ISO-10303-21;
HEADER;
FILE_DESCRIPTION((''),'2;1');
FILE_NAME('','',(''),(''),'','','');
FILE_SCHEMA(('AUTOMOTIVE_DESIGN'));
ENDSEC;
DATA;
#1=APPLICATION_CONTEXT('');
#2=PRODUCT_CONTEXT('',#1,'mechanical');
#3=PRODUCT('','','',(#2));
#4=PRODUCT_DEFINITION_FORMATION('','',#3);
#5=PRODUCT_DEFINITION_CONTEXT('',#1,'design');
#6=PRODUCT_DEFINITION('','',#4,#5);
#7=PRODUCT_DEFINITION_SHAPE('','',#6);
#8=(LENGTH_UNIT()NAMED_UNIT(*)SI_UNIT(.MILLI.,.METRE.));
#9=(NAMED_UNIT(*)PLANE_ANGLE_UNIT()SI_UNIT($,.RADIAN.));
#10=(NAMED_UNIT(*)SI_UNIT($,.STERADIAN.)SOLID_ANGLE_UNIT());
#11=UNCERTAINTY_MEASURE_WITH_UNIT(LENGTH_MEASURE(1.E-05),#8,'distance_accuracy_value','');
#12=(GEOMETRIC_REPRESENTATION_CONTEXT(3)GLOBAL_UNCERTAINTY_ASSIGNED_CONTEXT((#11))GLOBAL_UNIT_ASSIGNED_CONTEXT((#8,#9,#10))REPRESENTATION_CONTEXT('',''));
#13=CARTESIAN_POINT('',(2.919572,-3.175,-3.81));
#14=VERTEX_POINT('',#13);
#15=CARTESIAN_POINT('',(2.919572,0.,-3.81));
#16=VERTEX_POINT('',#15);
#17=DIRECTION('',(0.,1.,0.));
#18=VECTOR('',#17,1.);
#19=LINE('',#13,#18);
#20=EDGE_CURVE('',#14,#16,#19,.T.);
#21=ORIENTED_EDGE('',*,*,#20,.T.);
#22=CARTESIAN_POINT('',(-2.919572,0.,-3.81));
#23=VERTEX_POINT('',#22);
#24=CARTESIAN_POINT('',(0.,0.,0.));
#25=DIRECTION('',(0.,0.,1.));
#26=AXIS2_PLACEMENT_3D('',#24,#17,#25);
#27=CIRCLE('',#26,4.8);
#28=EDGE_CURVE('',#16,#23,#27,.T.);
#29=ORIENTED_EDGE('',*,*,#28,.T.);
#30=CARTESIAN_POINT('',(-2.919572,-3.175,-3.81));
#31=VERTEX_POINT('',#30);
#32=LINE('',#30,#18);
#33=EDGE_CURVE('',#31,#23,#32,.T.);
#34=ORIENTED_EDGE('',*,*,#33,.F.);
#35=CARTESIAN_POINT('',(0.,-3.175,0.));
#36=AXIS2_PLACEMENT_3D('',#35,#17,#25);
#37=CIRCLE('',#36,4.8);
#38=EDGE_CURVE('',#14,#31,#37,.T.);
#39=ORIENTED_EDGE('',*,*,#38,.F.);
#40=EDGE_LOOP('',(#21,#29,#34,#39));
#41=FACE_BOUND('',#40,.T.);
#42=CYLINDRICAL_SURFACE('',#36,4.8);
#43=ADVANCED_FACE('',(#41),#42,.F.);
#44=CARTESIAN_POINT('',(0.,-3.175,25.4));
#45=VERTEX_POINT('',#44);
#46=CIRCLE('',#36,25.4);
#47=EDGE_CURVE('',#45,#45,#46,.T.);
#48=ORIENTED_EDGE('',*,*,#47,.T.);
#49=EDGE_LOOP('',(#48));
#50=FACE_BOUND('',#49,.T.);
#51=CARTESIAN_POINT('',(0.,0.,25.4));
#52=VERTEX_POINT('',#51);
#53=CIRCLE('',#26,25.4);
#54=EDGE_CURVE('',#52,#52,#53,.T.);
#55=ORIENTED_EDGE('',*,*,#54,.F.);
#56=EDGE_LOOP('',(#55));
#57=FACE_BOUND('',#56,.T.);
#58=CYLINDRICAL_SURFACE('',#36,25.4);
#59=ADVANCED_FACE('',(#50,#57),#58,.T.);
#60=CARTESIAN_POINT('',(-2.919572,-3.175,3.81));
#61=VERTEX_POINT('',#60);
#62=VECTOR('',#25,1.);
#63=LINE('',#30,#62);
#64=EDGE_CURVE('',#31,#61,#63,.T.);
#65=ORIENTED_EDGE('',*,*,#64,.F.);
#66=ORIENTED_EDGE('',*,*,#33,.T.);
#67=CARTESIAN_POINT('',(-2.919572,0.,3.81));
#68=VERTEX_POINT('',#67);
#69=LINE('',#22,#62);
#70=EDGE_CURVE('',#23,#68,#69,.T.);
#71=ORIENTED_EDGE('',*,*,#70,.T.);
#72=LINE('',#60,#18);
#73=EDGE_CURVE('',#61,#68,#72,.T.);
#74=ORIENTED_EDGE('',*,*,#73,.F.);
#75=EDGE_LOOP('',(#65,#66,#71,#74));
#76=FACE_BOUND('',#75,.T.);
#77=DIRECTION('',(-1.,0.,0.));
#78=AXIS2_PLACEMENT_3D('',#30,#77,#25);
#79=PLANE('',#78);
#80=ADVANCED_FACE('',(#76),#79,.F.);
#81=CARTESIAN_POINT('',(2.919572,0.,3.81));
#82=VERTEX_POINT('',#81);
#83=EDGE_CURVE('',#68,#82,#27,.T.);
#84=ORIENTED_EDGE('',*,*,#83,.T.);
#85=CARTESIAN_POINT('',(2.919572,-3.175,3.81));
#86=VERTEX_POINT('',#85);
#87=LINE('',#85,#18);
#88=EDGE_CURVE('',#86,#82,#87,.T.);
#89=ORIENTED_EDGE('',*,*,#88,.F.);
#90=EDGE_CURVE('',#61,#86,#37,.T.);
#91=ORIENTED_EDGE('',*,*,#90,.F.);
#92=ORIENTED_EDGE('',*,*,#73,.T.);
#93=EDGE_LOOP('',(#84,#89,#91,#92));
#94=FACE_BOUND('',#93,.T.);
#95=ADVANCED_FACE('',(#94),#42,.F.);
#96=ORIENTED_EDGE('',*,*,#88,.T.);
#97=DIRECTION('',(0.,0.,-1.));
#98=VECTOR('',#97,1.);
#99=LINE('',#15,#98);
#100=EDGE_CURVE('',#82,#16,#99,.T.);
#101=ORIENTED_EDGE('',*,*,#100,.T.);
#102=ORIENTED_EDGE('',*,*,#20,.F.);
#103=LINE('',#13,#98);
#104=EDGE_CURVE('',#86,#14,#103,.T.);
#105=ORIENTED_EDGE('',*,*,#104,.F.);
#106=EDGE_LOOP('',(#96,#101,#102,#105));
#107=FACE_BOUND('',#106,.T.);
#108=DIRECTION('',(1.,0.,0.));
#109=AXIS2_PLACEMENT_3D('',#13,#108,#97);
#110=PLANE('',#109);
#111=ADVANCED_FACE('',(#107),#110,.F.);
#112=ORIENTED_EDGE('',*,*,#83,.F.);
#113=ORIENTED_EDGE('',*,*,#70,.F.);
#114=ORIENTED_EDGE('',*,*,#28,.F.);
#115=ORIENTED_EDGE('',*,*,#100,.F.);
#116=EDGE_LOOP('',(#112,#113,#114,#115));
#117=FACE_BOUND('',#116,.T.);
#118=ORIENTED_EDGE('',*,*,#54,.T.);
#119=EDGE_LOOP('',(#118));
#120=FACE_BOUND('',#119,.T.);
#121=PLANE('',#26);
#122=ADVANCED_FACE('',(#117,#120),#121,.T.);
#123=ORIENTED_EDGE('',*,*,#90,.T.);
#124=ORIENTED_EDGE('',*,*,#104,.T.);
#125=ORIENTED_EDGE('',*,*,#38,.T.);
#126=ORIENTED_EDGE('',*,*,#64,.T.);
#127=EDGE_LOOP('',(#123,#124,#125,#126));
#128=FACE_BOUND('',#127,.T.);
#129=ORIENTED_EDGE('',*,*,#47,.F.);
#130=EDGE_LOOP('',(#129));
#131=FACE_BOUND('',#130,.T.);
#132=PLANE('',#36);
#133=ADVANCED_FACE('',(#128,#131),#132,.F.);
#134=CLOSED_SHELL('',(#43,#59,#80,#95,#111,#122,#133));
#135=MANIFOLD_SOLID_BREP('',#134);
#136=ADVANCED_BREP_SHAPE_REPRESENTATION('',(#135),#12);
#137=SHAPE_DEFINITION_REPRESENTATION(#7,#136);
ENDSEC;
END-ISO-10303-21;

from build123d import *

# Parameters (mm, degrees)
SKETCH1_R           = 25.4
BOSS_EXTRUDE1_DEPTH = 3.175


with BuildPart() as part:
    # Sketch1 → Boss-Extrude1 (new body)
    with BuildSketch(Plane(origin=(0, 0, 0), x_dir=(1, 0, 0), z_dir=(0, 1, 0))):
        with Locations(Location((0, 0, 0), (0, 0, 270))):
            Circle(SKETCH1_R)
        with BuildLine():
            Line((-2.919571886, 3.81), (-2.919571886, -3.81))
            ThreePointArc((-2.919571886, -3.81), (0, -4.8), (2.919571886, -3.81))
            Line((2.919571886, -3.81), (2.919571886, 3.81))
            ThreePointArc((2.919571886, 3.81), (0, 4.8), (-2.919571886, 3.81))
        make_face(mode=Mode.SUBTRACT)
    extrude(amount=-BOSS_EXTRUDE1_DEPTH)


solid = part.part
